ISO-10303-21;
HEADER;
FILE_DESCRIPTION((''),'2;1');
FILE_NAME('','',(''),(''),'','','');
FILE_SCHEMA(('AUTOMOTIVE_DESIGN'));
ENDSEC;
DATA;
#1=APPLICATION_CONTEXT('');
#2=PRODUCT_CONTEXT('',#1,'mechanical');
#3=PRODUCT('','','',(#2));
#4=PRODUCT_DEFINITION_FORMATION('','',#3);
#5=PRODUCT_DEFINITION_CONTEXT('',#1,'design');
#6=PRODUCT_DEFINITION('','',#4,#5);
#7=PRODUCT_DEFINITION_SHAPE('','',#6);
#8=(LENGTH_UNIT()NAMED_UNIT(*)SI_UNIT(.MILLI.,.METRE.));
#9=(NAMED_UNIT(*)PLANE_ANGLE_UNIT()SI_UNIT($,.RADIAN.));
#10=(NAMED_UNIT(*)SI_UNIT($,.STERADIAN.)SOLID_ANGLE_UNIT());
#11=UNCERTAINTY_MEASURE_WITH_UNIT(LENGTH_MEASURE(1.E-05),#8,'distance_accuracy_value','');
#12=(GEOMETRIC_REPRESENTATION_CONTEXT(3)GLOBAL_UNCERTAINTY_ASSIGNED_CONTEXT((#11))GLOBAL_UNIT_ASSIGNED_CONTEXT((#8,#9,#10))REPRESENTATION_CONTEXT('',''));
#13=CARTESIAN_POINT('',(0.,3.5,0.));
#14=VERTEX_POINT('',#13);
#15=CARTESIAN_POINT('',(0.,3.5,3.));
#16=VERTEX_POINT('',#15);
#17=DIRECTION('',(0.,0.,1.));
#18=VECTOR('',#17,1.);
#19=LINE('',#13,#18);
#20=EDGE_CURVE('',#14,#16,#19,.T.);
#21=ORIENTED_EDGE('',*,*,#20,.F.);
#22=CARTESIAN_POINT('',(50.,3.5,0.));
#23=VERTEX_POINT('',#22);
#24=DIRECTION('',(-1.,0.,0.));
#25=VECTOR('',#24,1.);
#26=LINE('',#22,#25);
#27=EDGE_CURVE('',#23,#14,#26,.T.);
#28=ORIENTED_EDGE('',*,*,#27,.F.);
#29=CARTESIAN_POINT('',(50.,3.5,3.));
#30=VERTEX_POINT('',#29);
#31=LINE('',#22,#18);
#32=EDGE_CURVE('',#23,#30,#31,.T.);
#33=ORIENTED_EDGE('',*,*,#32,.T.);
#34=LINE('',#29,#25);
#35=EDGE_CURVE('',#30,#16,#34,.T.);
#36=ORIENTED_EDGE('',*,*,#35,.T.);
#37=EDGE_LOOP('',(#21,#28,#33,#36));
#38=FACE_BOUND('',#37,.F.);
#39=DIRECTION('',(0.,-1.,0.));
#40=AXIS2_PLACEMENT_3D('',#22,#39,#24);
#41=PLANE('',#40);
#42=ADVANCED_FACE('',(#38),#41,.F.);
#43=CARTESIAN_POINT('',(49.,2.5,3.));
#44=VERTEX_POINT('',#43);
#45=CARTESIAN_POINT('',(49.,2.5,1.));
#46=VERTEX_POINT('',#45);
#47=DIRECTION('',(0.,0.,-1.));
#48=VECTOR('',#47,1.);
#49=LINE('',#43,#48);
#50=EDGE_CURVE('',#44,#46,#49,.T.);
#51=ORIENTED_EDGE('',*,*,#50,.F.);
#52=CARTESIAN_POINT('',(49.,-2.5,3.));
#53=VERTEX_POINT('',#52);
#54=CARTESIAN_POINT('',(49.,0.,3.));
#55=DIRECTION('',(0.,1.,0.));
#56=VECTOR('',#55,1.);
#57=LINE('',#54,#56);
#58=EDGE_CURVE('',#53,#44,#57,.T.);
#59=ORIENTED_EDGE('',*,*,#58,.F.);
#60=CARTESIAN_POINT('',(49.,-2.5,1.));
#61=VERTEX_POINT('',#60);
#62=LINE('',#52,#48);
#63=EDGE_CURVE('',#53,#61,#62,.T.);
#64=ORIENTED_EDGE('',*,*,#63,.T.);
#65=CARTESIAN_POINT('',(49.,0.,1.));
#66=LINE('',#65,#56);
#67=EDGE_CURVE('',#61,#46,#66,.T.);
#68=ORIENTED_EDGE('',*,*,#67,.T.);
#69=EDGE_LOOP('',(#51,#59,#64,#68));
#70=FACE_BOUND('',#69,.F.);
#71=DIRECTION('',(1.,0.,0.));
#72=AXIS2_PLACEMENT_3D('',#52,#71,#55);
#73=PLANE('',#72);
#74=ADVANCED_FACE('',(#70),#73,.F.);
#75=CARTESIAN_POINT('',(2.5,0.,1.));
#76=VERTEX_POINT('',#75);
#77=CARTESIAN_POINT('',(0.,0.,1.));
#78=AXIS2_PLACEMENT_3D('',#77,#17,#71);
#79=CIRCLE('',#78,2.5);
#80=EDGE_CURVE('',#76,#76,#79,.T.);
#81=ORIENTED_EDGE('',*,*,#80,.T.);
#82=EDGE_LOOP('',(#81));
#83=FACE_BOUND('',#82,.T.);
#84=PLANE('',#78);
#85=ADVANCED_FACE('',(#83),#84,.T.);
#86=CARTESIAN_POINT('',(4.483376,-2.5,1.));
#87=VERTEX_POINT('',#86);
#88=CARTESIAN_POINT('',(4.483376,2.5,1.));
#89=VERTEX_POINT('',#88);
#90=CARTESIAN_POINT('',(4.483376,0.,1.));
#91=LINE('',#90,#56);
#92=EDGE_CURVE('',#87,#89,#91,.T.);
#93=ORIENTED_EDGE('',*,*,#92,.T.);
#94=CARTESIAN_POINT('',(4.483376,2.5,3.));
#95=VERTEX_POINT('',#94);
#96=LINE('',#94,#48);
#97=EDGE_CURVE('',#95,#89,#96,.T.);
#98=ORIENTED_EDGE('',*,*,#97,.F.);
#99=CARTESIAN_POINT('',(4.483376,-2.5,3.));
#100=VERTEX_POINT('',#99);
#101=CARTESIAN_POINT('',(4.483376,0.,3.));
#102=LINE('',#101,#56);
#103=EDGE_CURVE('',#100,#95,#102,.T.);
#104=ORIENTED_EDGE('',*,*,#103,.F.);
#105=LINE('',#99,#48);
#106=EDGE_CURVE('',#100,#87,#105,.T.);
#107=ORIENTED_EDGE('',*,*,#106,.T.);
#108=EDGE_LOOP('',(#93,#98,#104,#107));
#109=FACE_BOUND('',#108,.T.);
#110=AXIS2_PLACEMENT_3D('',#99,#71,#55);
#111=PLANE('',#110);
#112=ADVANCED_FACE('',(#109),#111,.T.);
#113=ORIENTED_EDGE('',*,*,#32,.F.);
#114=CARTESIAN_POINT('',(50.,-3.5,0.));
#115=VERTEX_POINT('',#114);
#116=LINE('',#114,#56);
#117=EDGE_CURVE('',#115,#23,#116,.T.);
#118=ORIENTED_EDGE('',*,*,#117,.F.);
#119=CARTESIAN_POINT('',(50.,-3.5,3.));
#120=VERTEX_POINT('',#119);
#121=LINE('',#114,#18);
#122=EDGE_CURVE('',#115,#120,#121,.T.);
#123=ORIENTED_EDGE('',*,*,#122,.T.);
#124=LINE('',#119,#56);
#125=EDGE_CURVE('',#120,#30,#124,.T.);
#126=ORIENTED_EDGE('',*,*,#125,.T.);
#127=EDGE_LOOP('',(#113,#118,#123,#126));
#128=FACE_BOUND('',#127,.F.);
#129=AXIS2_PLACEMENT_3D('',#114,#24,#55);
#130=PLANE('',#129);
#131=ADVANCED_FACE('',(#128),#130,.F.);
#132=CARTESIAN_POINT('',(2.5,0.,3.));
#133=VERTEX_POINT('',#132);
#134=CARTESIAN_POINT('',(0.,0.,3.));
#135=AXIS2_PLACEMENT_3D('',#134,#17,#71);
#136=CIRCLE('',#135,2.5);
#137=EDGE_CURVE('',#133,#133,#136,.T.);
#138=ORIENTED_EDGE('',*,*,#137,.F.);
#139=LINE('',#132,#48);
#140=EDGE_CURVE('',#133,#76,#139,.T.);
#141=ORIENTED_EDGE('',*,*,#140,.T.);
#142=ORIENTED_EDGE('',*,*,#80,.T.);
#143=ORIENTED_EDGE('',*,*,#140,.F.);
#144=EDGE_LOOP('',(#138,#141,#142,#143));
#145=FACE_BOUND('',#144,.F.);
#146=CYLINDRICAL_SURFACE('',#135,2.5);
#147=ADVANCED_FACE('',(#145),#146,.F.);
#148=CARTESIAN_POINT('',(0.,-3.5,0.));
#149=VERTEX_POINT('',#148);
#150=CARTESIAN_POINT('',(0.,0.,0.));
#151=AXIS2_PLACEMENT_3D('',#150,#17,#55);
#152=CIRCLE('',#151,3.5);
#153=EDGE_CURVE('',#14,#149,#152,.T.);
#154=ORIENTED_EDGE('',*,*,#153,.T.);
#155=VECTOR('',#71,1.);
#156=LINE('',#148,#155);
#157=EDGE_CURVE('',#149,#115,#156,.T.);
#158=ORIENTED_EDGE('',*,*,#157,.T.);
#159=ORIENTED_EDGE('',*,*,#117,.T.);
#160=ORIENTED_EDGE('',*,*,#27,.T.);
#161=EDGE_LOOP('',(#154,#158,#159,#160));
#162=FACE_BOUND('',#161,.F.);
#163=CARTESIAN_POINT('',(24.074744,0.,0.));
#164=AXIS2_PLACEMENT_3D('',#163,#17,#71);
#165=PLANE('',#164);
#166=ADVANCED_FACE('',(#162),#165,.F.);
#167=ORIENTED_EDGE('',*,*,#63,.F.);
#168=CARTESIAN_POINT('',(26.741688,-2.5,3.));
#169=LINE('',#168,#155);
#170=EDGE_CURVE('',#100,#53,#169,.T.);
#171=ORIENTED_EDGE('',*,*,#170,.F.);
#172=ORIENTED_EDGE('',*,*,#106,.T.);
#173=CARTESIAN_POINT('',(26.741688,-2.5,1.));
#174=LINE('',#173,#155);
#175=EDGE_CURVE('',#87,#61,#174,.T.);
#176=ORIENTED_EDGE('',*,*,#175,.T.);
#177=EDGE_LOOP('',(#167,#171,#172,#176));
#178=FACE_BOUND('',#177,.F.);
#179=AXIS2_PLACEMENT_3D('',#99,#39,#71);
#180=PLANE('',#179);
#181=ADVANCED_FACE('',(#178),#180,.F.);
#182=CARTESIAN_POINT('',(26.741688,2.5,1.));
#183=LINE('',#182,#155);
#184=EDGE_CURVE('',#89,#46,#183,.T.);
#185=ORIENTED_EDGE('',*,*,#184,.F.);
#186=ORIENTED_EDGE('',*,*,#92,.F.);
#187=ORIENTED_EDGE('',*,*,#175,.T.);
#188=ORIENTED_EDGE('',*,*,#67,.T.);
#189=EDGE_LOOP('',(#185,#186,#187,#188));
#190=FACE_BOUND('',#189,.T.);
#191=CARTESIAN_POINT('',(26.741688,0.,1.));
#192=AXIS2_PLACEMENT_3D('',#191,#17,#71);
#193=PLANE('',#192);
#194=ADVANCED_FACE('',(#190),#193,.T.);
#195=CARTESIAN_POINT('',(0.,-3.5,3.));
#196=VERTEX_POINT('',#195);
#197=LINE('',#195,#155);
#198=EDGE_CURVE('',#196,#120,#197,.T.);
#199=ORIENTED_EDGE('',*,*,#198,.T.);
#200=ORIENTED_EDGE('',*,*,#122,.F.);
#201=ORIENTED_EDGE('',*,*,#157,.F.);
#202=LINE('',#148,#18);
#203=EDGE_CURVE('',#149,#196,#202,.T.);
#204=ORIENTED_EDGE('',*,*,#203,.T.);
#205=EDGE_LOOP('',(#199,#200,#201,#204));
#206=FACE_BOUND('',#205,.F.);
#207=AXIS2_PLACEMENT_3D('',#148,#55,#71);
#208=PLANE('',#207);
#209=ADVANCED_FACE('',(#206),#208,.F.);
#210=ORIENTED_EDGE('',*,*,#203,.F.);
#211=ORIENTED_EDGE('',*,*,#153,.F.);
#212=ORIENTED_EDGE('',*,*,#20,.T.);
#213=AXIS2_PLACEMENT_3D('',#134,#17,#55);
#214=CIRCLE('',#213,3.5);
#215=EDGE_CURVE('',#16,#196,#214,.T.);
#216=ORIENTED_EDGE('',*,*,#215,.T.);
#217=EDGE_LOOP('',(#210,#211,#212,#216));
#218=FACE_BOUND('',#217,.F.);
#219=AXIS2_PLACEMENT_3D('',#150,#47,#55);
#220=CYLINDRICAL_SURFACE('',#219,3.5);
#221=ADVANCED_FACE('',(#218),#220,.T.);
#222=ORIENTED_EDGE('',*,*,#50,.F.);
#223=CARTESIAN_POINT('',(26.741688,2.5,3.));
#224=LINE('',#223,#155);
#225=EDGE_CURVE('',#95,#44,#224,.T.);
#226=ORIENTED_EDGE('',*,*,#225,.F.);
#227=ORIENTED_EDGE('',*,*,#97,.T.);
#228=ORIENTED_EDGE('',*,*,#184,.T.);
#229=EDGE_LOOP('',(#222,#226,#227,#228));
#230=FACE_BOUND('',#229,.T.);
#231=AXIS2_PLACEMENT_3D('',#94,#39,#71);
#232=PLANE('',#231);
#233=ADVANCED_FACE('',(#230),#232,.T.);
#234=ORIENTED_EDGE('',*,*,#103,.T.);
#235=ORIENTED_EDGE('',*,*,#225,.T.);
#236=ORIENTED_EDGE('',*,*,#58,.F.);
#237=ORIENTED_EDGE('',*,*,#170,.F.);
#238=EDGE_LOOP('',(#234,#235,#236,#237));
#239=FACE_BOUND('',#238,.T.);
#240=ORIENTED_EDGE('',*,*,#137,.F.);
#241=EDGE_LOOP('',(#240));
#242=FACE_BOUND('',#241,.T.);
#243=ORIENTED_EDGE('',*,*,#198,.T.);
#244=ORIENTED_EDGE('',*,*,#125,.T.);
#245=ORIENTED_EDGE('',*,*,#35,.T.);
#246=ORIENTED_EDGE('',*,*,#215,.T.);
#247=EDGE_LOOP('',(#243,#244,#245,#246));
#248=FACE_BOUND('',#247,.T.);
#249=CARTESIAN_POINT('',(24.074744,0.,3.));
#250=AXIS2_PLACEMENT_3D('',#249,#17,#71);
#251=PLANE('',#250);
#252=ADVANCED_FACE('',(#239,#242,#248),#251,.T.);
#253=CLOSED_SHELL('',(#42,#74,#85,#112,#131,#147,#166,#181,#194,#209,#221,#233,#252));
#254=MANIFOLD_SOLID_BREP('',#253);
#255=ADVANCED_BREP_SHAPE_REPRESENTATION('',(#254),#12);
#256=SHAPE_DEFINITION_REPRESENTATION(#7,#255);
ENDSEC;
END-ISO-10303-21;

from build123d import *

# Parameters (mm, degrees)
F1_DEPTH = 3
F2_R     = 2.5
F2_W     = 44.516624
F2_H     = 5
F3_DEPTH = 2


with BuildPart() as f1:
    # F0 (on Top) → F1 (new body)
    with BuildSketch(Plane.XY):
        with BuildLine():
            Line((50, 3.5), (0, 3.5))
            ThreePointArc((0, 3.5), (-3.5, 0), (0, -3.5))
            Line((0, -3.5), (50, -3.5))
            Line((50, -3.5), (50, 3.5))
        make_face()
    extrude(amount=F1_DEPTH)

    # F2 (on face) → F3 (cut)
    with BuildSketch(Plane.XY.offset(3)):
        Circle(F2_R)
        with Locations((26.741688, 0)):
            Rectangle(F2_W, F2_H)
    extrude(amount=-F3_DEPTH, mode=Mode.SUBTRACT)


solid = f1.part
